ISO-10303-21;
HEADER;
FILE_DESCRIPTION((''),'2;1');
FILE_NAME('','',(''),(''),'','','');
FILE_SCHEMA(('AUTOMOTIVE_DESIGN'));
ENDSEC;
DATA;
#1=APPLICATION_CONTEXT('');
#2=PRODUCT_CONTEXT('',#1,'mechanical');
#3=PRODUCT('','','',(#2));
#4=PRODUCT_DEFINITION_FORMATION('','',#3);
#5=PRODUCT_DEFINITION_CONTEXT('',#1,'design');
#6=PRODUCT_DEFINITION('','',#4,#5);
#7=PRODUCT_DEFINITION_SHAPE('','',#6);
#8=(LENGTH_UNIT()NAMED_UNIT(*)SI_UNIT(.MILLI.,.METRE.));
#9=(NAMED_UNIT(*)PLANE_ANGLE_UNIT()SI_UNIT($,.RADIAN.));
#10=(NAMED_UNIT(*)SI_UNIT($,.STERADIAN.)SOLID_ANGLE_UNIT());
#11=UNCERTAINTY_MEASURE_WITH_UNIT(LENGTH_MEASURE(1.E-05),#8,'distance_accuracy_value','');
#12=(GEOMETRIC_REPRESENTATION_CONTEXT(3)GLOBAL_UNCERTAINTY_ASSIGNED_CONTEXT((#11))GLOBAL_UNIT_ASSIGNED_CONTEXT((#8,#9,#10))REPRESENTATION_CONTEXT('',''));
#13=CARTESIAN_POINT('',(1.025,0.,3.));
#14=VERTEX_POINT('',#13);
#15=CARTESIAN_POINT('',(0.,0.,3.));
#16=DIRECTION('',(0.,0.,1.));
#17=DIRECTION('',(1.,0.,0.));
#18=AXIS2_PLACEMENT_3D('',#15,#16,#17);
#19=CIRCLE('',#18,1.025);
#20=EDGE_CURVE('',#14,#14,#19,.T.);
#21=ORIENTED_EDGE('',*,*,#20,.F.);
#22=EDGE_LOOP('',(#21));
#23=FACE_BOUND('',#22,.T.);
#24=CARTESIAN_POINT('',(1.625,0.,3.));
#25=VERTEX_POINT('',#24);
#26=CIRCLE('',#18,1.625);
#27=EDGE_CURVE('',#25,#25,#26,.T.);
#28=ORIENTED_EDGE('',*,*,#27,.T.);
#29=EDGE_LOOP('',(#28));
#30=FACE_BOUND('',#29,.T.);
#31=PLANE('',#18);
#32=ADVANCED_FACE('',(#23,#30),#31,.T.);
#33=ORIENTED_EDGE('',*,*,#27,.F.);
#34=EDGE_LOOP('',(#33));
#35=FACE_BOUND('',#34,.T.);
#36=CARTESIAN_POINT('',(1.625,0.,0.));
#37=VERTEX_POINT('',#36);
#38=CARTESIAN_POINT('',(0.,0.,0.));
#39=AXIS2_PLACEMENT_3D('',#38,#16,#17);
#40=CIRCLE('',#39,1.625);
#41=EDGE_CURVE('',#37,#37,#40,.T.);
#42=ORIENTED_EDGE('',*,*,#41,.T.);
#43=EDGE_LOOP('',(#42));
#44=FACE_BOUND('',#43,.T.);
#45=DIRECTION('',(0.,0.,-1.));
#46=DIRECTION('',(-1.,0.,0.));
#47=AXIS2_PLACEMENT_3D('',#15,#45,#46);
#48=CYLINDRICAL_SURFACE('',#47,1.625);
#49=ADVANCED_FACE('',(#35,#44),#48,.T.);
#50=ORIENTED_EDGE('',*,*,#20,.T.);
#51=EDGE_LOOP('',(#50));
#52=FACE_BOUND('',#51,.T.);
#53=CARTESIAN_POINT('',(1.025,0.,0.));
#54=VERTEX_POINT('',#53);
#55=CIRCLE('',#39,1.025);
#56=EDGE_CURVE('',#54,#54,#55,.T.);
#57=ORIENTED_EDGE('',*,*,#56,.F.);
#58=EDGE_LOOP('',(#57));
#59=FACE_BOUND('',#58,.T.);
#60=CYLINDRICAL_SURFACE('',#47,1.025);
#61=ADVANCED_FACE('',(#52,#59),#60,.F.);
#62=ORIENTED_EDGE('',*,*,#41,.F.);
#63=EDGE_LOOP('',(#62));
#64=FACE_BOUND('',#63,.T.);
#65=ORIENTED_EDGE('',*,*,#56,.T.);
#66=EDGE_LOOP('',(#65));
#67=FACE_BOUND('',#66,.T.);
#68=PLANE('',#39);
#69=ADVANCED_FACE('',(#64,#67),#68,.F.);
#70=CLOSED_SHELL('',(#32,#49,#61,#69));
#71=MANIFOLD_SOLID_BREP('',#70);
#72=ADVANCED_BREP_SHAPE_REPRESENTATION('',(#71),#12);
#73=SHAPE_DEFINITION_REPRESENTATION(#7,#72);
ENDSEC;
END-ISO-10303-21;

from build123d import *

# Parameters (mm, degrees)
SKETCH_1_R      = 1.625
SKETCH_1_R_2    = 1.025
EXTRUDE_1_DEPTH = 3


with BuildPart() as part:
    # 草图1 → 凸台-拉伸1 (new body)
    with BuildSketch(Plane.XY):
        Circle(SKETCH_1_R)
        Circle(SKETCH_1_R_2, mode=Mode.SUBTRACT)
    extrude(amount=EXTRUDE_1_DEPTH)


solid = part.part
